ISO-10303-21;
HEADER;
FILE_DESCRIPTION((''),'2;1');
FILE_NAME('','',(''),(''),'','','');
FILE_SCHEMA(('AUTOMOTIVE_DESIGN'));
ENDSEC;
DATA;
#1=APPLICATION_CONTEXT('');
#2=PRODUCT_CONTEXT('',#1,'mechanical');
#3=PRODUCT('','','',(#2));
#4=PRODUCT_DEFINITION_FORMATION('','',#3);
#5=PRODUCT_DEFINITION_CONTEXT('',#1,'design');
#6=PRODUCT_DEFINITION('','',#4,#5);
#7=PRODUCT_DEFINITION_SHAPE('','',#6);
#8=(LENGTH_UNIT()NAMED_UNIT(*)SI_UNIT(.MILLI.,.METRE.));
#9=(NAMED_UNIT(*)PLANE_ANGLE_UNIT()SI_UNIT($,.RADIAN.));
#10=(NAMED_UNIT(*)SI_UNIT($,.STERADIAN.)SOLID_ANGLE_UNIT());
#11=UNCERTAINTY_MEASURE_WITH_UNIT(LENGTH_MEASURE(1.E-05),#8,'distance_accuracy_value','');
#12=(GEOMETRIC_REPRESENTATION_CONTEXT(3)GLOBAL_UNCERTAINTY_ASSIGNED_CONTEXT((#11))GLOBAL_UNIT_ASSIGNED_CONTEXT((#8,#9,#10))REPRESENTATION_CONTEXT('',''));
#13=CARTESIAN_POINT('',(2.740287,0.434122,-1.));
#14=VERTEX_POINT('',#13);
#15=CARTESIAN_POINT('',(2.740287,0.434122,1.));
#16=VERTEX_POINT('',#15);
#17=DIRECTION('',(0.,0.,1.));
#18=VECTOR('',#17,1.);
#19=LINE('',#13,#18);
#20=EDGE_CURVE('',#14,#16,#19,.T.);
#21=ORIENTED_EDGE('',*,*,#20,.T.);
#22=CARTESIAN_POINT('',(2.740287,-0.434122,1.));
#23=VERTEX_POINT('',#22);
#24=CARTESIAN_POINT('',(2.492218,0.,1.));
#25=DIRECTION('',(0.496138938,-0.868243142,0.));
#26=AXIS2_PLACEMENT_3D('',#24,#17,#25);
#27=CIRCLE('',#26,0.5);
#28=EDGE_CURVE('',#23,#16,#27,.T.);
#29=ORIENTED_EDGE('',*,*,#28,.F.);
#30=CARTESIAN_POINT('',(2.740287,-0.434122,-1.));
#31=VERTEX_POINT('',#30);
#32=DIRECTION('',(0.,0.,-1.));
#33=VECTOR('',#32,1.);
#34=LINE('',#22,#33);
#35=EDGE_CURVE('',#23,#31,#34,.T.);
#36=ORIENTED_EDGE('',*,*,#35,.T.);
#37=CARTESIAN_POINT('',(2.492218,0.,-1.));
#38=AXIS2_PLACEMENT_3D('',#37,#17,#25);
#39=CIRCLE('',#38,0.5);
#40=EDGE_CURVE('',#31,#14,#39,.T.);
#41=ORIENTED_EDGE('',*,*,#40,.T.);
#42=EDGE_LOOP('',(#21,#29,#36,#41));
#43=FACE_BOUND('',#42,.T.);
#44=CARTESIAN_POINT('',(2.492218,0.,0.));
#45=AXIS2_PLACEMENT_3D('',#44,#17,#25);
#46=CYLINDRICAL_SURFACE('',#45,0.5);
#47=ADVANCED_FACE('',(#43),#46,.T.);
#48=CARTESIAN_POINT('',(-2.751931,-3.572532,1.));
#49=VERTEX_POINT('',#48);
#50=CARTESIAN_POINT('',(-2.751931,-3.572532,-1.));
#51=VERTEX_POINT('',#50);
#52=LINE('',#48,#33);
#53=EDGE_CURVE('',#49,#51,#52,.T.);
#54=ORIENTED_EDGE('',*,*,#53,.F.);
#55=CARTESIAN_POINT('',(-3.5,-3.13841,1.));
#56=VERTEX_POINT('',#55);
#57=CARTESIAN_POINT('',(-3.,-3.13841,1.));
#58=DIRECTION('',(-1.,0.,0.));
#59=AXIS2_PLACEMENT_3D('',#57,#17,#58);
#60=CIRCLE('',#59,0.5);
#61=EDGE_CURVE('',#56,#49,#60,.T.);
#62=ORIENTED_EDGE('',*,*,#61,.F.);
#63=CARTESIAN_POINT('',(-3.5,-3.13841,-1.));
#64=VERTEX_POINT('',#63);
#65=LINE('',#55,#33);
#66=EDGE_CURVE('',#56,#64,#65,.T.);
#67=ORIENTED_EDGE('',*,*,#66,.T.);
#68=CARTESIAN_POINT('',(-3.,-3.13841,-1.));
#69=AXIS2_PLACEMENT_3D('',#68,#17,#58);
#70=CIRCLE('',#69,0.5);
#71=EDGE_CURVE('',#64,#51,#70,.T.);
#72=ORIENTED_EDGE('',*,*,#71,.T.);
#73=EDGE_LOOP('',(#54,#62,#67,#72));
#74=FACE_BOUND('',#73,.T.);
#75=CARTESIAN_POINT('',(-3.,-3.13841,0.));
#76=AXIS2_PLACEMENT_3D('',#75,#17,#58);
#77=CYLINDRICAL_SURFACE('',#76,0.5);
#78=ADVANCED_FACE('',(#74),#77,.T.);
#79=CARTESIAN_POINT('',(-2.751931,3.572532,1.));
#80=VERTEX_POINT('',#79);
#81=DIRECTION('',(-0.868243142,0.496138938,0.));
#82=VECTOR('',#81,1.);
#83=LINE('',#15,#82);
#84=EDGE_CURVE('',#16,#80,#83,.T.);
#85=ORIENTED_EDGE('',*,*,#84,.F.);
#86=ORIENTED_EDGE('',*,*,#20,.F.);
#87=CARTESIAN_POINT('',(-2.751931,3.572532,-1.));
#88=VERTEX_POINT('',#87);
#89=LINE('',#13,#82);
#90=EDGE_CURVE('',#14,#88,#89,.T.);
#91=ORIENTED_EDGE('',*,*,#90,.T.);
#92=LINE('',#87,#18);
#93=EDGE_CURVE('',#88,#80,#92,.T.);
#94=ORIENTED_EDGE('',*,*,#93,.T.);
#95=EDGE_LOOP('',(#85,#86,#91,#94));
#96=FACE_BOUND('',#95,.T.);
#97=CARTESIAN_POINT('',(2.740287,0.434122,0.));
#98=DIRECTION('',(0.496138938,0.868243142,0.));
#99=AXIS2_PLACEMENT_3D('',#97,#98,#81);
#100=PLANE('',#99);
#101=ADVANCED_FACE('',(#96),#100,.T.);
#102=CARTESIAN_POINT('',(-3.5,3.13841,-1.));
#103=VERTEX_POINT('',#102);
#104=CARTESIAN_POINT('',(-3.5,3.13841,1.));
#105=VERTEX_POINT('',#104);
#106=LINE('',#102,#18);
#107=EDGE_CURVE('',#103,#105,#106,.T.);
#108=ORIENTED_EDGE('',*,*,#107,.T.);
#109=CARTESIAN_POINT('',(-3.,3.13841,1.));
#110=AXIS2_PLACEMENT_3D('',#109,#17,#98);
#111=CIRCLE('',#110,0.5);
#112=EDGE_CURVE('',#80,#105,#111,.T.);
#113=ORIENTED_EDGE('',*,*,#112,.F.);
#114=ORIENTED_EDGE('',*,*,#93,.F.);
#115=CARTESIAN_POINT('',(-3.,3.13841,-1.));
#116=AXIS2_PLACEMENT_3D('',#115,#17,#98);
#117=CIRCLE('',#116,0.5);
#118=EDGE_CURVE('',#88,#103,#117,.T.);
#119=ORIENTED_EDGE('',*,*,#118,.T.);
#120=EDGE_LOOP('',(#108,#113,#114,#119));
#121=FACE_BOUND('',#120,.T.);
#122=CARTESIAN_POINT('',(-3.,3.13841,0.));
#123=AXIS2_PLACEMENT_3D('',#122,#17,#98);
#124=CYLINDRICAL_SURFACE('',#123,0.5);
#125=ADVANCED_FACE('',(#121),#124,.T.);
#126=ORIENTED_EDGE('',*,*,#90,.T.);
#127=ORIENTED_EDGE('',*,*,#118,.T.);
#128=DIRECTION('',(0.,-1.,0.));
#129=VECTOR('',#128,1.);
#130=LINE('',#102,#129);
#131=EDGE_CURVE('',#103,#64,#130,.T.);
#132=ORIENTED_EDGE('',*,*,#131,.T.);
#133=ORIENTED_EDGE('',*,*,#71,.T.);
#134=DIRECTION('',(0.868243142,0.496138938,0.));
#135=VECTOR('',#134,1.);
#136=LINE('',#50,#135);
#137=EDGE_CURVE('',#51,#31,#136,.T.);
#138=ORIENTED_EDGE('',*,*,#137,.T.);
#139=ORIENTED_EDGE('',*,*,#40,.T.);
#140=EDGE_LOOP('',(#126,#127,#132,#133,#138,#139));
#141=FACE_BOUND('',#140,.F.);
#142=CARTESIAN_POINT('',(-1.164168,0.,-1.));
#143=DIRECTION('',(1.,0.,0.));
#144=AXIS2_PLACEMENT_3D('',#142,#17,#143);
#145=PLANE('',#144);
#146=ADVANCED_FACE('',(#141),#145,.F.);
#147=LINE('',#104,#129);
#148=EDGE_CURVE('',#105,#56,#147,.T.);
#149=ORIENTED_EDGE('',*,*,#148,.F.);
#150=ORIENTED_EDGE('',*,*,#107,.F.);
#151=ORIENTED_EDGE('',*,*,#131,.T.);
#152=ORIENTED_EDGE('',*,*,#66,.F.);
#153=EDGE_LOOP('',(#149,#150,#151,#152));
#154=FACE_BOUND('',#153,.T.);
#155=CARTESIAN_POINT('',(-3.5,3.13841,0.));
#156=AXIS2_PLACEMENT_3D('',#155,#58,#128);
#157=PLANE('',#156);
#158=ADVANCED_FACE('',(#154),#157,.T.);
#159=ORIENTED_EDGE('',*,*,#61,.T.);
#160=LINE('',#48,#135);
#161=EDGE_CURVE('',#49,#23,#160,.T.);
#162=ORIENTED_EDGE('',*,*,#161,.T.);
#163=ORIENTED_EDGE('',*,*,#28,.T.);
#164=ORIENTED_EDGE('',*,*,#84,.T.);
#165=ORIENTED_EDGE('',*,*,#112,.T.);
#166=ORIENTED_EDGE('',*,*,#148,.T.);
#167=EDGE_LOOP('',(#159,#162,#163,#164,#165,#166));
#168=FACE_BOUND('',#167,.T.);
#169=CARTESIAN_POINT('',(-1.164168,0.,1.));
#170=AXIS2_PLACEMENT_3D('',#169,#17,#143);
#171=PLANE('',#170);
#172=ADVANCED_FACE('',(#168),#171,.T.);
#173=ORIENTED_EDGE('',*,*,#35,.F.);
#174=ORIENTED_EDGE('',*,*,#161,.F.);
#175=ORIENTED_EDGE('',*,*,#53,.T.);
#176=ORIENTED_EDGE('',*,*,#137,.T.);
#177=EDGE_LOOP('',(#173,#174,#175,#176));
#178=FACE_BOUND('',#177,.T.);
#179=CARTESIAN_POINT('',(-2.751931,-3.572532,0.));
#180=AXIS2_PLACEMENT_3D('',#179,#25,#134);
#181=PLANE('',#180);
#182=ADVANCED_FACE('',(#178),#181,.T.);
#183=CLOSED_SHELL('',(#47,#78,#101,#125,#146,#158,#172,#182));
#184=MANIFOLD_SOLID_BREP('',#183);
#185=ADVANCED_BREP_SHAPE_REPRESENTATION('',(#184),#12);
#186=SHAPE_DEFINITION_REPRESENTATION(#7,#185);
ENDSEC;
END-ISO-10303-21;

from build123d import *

# Parameters (mm, degrees)
F1_DEPTH = 1


with BuildPart() as f1:
    # F0 (on Top) → F1 (new body, symmetric)
    with BuildSketch(Plane.XY):
        with BuildLine():
            ThreePointArc((2.7402872506, -0.4341215711), (2.9922177815, 0), (2.7402872506, 0.4341215711))
            Line((2.7402872506, 0.4341215711), (-2.7519305308, 3.5725317319))
            ThreePointArc((-2.7519305308, 3.5725317319), (-3.2509634091, 3.5708652074), (-3.5, 3.1384101608))
            Line((-3.5, 3.1384101608), (-3.5, -3.1384101608))
            ThreePointArc((-3.5, -3.1384101608), (-3.2509634091, -3.5708652074), (-2.7519305308, -3.5725317319))
            Line((-2.7519305308, -3.5725317319), (2.7402872506, -0.4341215711))
        make_face()
    extrude(amount=F1_DEPTH, both=True)


solid = f1.part
